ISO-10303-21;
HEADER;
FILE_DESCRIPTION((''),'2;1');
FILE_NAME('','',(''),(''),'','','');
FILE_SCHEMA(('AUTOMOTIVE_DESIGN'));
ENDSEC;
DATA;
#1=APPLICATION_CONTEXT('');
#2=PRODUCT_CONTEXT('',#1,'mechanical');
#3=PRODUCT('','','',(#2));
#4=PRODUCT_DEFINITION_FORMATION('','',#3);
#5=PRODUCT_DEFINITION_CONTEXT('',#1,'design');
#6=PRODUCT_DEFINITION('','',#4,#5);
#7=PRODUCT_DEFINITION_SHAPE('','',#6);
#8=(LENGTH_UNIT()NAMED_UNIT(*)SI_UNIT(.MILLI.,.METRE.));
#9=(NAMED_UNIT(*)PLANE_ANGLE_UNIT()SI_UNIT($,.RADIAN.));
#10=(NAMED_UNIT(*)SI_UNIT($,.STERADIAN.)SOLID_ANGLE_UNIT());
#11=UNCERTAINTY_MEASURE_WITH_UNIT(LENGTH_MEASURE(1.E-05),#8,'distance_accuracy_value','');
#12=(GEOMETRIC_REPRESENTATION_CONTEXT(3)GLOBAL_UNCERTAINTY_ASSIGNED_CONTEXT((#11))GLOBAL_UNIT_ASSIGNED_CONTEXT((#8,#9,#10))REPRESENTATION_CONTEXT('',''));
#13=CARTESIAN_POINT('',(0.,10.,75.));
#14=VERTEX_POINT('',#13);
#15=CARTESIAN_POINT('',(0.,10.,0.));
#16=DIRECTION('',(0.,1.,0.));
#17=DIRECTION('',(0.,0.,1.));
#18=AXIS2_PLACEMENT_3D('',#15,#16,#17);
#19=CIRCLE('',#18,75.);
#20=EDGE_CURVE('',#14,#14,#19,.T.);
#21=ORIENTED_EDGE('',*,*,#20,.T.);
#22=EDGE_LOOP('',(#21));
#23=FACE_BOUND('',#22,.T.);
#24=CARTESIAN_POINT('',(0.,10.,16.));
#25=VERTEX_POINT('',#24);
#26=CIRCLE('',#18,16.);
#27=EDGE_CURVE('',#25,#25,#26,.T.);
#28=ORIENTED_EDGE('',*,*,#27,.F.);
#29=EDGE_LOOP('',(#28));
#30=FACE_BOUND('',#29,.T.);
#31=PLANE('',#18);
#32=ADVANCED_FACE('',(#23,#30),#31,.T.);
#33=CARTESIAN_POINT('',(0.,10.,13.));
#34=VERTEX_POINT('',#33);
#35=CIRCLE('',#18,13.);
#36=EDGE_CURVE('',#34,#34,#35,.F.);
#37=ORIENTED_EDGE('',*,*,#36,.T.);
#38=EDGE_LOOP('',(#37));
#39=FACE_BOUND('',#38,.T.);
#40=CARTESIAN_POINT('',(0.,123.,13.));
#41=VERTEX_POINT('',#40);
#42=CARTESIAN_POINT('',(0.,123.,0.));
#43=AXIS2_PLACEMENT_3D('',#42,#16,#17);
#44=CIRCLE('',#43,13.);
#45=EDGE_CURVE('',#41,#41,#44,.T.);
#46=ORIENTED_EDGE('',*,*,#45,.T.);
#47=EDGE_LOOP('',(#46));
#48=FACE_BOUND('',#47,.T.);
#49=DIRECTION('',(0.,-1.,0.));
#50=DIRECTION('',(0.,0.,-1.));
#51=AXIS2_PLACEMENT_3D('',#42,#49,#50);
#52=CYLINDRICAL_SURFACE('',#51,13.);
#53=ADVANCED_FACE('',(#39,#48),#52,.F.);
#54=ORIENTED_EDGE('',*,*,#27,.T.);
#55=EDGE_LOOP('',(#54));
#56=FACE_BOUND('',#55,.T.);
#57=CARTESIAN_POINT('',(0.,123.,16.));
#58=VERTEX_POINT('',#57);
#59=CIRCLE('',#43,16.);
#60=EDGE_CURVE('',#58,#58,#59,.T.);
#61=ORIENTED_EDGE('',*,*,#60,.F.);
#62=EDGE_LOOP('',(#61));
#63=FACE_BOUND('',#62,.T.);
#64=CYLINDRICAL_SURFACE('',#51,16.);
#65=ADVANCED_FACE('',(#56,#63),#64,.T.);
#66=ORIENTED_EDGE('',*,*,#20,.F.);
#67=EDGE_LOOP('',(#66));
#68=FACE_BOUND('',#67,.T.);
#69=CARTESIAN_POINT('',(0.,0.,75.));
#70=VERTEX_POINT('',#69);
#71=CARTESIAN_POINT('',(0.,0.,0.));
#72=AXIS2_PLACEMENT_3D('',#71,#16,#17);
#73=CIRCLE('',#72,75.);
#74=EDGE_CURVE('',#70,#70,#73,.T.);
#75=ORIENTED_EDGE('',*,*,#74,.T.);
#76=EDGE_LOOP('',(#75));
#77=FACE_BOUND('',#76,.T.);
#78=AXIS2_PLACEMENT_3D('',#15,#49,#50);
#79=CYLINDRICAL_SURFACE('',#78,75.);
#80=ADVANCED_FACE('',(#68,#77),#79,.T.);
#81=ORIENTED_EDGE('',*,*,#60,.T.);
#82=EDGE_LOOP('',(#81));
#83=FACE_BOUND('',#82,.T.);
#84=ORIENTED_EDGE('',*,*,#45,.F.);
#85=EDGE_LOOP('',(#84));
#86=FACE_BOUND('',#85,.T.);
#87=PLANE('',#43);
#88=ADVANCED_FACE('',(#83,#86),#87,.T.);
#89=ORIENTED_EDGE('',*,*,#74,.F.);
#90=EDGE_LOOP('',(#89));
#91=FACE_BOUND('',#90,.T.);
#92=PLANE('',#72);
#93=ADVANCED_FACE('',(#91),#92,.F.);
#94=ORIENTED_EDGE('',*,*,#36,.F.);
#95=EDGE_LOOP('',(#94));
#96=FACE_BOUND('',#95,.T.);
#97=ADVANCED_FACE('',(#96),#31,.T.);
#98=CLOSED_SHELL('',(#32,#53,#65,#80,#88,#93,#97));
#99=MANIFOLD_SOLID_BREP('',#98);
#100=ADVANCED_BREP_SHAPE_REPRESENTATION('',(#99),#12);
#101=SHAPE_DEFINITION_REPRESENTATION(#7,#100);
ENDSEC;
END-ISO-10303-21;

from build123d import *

# Parameters (mm, degrees)
SKETCH1_R           = 75
BOSS_EXTRUDE1_DEPTH = 10
SKETCH2_R           = 16
SKETCH2_R_2         = 13
BOSS_EXTRUDE2_DEPTH = 113


with BuildPart() as part:
    # Sketch1 → Boss-Extrude1 (new body)
    with BuildSketch(Plane(origin=(0, 0, 0), x_dir=(1, 0, 0), z_dir=(0, 1, 0))):
        Circle(SKETCH1_R)
    extrude(amount=BOSS_EXTRUDE1_DEPTH)

    # Sketch2 → Boss-Extrude2 (add)
    with BuildSketch(Plane(origin=(0, 10, 0), x_dir=(1, 0, 0), z_dir=(0, 1, 0))):
        Circle(SKETCH2_R)
        Circle(SKETCH2_R_2, mode=Mode.SUBTRACT)
    extrude(amount=BOSS_EXTRUDE2_DEPTH)


solid = part.part
